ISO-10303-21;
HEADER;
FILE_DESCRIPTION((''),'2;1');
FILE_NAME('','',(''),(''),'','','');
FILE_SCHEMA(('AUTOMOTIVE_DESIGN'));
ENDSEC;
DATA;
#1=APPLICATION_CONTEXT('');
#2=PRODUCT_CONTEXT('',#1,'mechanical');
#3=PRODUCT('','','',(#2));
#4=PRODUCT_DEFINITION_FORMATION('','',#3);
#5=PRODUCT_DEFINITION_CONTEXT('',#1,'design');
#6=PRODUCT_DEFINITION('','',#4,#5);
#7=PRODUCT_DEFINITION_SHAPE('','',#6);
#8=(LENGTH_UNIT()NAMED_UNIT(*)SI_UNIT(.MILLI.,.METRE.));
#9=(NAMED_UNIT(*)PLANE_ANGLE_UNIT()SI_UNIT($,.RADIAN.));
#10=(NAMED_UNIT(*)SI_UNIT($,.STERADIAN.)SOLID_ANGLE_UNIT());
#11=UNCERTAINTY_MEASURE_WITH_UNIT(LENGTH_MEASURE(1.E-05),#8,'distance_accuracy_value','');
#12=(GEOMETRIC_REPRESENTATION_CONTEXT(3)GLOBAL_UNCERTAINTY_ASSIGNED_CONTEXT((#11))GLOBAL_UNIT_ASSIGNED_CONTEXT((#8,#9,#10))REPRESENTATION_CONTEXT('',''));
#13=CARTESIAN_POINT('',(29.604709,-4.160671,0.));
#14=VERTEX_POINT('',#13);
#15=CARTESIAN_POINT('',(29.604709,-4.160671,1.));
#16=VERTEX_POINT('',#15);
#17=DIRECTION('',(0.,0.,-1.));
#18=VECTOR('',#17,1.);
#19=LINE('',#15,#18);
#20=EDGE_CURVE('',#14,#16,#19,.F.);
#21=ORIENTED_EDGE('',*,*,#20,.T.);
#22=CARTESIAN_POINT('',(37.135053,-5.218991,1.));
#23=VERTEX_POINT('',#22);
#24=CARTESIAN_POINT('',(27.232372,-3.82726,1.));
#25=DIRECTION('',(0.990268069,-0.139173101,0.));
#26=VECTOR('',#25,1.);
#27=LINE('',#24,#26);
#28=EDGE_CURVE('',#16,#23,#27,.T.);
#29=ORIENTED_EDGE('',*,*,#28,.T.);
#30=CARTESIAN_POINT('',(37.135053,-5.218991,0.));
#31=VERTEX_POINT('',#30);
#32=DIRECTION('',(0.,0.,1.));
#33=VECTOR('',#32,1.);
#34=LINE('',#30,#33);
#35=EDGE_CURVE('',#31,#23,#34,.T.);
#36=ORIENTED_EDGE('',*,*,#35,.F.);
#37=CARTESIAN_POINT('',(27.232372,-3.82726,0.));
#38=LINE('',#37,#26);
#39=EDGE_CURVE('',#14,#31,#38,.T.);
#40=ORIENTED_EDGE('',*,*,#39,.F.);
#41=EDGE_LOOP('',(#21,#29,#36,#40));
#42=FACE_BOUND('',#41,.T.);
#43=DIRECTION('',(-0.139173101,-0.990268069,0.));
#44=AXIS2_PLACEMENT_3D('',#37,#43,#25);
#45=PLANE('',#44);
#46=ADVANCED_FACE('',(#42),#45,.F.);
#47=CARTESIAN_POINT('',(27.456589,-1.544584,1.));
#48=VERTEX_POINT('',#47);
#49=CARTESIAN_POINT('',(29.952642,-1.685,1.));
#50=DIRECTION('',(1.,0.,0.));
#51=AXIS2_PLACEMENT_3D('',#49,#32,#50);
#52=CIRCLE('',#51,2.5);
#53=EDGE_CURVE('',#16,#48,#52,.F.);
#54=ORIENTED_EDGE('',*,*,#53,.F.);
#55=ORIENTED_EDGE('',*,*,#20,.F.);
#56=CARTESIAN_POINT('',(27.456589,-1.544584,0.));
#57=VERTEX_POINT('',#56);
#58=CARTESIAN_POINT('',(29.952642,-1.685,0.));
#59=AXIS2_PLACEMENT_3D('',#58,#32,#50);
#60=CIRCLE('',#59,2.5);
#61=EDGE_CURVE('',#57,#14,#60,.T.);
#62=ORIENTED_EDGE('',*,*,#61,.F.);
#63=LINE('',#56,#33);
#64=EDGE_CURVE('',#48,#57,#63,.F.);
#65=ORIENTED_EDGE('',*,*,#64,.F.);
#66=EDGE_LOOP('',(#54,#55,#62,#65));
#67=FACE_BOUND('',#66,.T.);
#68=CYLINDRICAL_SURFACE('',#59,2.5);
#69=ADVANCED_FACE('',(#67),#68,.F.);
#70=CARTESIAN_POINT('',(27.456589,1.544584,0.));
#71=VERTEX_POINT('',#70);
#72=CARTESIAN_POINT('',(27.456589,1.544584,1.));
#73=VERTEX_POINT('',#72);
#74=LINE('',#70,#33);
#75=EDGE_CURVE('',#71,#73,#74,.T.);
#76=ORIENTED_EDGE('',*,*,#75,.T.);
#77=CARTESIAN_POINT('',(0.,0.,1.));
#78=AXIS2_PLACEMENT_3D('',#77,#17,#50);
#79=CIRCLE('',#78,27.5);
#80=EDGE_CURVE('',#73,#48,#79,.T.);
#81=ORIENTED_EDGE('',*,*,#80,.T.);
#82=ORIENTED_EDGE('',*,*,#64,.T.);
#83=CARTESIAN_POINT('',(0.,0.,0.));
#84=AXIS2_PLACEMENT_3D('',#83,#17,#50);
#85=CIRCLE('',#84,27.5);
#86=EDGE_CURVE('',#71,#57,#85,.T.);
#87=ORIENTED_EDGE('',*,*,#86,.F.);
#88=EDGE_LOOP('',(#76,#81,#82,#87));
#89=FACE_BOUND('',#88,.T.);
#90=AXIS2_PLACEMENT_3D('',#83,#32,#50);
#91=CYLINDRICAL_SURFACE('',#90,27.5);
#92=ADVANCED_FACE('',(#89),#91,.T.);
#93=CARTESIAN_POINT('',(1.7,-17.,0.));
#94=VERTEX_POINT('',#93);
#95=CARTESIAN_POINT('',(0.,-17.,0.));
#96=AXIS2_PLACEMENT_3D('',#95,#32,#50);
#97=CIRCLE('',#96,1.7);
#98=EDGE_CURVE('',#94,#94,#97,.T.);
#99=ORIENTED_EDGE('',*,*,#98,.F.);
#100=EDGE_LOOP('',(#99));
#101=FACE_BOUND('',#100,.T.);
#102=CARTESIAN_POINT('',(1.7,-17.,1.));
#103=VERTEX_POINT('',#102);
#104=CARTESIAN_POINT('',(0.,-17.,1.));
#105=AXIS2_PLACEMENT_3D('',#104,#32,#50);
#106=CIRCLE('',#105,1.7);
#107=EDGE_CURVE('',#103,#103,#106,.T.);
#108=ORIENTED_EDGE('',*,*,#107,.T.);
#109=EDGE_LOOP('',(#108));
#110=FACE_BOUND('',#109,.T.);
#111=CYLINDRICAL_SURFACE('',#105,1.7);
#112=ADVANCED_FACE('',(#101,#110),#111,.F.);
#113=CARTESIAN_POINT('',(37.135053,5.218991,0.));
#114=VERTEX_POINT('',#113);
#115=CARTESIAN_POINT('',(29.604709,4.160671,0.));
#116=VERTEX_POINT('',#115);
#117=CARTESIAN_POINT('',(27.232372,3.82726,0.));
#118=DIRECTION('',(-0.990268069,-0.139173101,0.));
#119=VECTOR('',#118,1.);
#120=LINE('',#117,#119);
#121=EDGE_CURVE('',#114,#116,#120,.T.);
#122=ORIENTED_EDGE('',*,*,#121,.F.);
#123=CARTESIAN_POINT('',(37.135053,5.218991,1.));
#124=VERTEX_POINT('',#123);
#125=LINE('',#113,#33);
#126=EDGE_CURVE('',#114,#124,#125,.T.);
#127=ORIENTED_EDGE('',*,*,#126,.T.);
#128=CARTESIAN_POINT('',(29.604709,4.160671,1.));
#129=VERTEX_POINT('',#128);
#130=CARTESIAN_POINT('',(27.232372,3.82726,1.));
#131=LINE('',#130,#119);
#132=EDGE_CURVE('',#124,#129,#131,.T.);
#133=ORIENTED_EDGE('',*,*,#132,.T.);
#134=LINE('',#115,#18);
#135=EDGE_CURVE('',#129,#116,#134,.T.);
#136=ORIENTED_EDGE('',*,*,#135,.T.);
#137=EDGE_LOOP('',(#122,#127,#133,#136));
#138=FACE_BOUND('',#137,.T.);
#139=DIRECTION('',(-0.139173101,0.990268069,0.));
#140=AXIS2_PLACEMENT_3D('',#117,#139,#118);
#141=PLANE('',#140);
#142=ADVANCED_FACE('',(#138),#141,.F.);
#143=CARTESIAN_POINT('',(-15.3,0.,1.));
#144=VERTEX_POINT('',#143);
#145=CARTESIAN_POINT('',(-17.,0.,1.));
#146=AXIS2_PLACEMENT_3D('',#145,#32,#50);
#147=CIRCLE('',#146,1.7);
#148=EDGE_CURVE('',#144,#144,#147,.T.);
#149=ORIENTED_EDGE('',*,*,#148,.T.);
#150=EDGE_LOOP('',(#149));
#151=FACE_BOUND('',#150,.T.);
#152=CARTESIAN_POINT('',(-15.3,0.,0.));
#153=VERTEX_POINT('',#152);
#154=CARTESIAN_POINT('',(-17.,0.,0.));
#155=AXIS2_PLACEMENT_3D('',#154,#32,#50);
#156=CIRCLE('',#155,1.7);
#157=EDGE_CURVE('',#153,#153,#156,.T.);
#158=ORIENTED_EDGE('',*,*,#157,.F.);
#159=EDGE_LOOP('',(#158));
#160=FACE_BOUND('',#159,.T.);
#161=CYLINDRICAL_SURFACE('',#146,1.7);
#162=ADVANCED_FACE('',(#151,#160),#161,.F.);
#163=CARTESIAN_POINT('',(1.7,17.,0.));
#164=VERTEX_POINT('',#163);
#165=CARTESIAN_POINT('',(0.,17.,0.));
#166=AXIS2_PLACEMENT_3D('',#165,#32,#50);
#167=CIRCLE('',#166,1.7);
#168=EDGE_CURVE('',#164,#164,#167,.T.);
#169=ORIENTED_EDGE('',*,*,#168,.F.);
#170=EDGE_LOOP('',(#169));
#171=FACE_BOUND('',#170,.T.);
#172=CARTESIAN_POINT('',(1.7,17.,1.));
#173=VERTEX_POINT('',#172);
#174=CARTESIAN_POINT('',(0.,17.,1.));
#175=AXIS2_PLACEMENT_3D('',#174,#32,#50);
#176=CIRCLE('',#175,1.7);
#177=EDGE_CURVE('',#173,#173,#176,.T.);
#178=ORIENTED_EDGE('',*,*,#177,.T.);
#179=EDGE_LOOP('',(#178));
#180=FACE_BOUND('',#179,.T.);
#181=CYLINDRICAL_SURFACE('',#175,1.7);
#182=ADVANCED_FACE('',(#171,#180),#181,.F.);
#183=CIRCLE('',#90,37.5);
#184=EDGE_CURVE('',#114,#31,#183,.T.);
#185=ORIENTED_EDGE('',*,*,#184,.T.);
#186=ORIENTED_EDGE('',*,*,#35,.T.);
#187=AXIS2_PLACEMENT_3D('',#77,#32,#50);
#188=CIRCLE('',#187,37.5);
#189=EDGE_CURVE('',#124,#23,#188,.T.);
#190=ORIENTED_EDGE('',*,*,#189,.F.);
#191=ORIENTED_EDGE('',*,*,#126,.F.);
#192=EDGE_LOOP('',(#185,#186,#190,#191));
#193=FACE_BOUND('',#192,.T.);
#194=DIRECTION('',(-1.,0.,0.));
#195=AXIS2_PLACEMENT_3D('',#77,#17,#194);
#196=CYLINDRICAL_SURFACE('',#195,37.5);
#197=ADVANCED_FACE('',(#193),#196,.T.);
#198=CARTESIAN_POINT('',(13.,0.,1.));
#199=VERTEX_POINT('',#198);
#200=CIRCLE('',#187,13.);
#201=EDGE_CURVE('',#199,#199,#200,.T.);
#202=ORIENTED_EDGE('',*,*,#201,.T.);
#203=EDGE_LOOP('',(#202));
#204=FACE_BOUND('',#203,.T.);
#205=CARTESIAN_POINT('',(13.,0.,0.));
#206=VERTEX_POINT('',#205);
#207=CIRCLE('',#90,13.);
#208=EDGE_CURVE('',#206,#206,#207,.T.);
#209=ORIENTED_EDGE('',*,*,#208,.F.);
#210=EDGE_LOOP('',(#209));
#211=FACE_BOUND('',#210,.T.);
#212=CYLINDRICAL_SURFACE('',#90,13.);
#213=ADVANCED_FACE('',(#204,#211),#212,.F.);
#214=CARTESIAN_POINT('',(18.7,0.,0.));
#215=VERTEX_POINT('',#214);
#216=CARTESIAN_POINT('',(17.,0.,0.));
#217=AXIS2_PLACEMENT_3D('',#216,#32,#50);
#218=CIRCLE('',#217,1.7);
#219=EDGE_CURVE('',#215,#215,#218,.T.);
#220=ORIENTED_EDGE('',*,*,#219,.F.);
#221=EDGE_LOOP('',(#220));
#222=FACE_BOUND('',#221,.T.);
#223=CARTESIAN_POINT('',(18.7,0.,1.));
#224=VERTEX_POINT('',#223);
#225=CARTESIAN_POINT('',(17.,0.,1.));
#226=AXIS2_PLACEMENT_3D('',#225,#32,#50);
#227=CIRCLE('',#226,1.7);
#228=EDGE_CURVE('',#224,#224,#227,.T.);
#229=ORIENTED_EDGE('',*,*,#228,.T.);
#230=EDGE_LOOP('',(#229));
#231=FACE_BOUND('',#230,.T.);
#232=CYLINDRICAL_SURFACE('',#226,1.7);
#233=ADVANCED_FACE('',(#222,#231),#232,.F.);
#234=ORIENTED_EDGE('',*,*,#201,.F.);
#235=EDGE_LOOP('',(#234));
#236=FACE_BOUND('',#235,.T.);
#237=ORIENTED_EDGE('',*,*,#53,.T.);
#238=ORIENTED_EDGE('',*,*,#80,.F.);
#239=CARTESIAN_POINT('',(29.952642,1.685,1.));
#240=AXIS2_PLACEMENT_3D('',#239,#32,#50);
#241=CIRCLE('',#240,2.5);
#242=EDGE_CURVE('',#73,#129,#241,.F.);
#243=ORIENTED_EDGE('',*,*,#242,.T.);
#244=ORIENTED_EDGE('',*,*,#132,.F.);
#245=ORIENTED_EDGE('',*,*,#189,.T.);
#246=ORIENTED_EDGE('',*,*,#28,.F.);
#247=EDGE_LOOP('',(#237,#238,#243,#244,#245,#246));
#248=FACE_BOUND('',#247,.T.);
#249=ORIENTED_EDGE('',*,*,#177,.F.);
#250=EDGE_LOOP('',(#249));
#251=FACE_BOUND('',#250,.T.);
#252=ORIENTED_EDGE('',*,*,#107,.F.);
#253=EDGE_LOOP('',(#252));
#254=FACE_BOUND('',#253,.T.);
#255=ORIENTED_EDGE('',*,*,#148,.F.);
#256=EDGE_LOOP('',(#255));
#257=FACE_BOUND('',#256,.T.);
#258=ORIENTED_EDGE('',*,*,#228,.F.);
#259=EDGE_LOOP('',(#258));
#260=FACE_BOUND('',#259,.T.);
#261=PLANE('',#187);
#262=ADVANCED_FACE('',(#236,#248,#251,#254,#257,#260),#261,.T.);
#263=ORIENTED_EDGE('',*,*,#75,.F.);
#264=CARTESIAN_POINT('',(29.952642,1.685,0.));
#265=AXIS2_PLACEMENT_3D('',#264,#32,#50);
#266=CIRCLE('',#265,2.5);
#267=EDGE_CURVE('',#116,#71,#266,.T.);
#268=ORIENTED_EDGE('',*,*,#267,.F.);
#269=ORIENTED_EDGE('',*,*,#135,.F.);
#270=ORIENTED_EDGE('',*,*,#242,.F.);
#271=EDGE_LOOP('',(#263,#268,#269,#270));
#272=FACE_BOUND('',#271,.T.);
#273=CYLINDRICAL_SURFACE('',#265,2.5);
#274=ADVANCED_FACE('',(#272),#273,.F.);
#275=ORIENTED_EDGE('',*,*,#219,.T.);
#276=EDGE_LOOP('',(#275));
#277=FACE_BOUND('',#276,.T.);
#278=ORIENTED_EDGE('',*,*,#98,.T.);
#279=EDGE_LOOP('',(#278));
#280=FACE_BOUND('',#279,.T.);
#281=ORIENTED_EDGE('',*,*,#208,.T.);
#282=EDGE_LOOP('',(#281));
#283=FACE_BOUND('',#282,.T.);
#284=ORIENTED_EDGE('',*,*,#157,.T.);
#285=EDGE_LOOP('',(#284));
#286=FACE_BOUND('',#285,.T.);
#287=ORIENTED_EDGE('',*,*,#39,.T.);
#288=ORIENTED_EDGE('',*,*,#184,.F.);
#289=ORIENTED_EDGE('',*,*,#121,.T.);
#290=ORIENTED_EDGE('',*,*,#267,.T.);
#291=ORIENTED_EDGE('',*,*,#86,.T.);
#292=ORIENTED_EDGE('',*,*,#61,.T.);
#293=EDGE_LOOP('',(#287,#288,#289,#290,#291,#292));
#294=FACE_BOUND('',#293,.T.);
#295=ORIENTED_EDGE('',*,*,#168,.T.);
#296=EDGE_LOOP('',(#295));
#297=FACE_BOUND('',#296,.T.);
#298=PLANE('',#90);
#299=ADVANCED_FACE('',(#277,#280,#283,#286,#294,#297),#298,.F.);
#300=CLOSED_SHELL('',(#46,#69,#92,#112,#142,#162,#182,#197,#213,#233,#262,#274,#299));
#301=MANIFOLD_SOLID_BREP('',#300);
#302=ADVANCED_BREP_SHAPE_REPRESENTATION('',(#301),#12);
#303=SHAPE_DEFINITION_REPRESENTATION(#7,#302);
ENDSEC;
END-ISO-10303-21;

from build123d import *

# Parameters (mm, degrees)
SKETCH1_R                   = 37.5
BOSS_EXTRUDE1_DEPTH         = 1
SKETCH2_R                   = 13
CUT_EXTRUDE1_DEPTH          = 54.042435842
TAP_DRILL_FOR_M3X0_5_TAP1_D = 3.4
CUT_EXTRUDE2_DEPTH          = 54.042435842
FILLET1_R                   = 2.5


with BuildPart() as part:
    # Sketch1 → Boss-Extrude1 (new body)
    with BuildSketch(Plane.XY):
        Circle(SKETCH1_R)
    extrude(amount=BOSS_EXTRUDE1_DEPTH)

    # Sketch2 → Cut-Extrude1 (cut, through all)
    with BuildSketch(Plane.XY.offset(1)):
        Circle(SKETCH2_R)
    extrude(amount=-CUT_EXTRUDE1_DEPTH, mode=Mode.SUBTRACT)

    # Tap Drill for M3x0.5 Tap1 (through all)
    with Locations(Plane.XY.offset(1)):
        with Locations((0, 17), (17, 0), (0, -17), (-17, 0)):
            Hole(TAP_DRILL_FOR_M3X0_5_TAP1_D / 2)

    # Sketch5 → Cut-Extrude2 (cut, through all)
    with BuildSketch(Plane.XY.offset(1)):
        with BuildLine():
            Line((27.23237189, 3.827260276), (37.135052578, 5.218991286))
            ThreePointArc((37.135052578, 5.218991286), (37.5, 0), (37.135052578, -5.218991286))
            Line((37.135052578, -5.218991286), (27.23237189, -3.827260276))
            ThreePointArc((27.23237189, -3.827260276), (27.5, 0), (27.23237189, 3.827260276))
        make_face()
    extrude(amount=-CUT_EXTRUDE2_DEPTH, mode=Mode.SUBTRACT)

    # Fillet1
    fillet1_edges = [part.edges().sort_by_distance(p)[0] for p in [
        (27.23237189, -3.827260276, 0.5),
        (27.23237189, 3.827260276, 0.5),
    ]]
    fillet(fillet1_edges, radius=FILLET1_R)


solid = part.part
